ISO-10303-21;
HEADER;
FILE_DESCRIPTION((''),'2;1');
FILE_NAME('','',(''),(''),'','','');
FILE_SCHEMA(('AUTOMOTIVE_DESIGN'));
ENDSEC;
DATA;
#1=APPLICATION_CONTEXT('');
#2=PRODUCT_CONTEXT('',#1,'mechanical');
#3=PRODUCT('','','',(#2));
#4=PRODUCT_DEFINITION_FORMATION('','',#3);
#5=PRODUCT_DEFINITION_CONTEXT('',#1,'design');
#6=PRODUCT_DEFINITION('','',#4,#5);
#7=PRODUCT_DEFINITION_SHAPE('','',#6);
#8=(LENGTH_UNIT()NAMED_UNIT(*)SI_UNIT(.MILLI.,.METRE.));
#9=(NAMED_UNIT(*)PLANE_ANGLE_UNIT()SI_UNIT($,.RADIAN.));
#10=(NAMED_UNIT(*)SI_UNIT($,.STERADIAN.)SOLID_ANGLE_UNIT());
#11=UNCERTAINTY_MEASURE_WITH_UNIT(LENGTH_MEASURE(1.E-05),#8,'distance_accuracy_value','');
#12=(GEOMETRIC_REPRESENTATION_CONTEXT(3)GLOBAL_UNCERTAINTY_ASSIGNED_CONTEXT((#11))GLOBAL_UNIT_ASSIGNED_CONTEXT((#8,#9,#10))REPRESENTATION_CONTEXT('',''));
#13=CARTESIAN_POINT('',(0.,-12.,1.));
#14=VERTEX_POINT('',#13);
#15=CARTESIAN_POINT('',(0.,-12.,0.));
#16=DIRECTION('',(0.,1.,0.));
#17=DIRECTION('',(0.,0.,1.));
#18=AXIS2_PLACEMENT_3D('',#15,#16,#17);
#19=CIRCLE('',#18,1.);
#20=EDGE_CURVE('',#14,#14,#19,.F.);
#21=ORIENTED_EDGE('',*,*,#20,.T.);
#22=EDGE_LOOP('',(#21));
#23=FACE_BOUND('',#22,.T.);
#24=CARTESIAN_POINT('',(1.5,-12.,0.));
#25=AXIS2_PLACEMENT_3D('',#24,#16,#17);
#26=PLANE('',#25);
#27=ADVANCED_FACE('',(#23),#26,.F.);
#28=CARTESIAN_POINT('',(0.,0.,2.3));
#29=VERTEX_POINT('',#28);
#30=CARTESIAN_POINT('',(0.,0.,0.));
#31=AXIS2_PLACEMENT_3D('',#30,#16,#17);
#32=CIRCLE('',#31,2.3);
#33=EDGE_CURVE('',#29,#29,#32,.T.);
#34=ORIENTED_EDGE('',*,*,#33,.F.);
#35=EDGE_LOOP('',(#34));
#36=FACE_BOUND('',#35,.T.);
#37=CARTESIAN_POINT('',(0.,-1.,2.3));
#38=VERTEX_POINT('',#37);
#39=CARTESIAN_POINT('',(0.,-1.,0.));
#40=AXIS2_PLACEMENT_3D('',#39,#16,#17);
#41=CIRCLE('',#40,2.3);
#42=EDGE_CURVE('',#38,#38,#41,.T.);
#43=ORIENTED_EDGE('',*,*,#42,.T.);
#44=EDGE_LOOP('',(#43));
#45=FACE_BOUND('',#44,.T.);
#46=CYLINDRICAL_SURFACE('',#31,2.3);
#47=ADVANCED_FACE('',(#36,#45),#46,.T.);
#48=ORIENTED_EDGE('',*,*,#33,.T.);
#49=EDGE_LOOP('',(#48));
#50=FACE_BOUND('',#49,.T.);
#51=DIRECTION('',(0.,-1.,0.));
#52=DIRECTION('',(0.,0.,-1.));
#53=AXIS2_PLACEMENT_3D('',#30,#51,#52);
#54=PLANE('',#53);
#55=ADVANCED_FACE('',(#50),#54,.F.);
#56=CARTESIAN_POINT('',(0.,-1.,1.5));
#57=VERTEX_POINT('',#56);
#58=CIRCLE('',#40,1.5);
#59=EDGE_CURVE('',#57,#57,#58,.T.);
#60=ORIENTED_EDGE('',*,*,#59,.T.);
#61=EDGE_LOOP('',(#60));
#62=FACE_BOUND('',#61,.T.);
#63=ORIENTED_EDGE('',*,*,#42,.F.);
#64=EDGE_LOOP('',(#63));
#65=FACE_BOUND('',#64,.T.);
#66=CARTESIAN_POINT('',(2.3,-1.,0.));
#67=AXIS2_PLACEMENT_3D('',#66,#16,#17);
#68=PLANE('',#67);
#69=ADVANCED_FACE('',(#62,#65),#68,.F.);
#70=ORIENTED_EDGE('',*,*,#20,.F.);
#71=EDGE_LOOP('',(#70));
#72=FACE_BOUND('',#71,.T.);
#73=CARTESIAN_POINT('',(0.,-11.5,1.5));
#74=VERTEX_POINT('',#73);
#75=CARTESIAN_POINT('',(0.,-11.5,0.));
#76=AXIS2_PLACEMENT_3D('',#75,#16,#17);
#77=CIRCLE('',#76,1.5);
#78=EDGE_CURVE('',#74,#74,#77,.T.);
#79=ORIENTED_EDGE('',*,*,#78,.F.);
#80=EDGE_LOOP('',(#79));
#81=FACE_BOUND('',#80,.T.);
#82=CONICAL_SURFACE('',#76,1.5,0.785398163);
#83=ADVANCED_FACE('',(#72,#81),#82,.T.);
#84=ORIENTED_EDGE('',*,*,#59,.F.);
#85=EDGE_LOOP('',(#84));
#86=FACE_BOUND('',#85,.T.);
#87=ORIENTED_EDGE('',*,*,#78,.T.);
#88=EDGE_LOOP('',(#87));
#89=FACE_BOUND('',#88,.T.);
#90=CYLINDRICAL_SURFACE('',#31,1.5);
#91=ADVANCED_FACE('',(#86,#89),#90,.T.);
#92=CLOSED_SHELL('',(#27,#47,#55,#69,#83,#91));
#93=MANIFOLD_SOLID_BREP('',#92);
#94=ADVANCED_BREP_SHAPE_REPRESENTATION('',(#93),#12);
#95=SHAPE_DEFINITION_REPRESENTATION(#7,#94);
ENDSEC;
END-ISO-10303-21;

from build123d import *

# Parameters (mm, degrees)
CHAFL_N1_SIZE = 0.5


with BuildPart() as part:
    # Croquis1 → Revolución1 (revolve)
    with BuildSketch(Plane.XY):
        Polygon((0, 0), (2.3, 0), (2.3, -1), (1.5, -1), (1.5, -12), (0, -12), align=None)
    revolve(axis=Axis((0, 0, 0), (0, -1, 0)))

    # Chaflán1
    chafl_n1_edges = [part.edges().sort_by_distance(p)[0] for p in [
        (-1.5, -12, 0),
    ]]
    chamfer(chafl_n1_edges, length=CHAFL_N1_SIZE)


solid = part.part
